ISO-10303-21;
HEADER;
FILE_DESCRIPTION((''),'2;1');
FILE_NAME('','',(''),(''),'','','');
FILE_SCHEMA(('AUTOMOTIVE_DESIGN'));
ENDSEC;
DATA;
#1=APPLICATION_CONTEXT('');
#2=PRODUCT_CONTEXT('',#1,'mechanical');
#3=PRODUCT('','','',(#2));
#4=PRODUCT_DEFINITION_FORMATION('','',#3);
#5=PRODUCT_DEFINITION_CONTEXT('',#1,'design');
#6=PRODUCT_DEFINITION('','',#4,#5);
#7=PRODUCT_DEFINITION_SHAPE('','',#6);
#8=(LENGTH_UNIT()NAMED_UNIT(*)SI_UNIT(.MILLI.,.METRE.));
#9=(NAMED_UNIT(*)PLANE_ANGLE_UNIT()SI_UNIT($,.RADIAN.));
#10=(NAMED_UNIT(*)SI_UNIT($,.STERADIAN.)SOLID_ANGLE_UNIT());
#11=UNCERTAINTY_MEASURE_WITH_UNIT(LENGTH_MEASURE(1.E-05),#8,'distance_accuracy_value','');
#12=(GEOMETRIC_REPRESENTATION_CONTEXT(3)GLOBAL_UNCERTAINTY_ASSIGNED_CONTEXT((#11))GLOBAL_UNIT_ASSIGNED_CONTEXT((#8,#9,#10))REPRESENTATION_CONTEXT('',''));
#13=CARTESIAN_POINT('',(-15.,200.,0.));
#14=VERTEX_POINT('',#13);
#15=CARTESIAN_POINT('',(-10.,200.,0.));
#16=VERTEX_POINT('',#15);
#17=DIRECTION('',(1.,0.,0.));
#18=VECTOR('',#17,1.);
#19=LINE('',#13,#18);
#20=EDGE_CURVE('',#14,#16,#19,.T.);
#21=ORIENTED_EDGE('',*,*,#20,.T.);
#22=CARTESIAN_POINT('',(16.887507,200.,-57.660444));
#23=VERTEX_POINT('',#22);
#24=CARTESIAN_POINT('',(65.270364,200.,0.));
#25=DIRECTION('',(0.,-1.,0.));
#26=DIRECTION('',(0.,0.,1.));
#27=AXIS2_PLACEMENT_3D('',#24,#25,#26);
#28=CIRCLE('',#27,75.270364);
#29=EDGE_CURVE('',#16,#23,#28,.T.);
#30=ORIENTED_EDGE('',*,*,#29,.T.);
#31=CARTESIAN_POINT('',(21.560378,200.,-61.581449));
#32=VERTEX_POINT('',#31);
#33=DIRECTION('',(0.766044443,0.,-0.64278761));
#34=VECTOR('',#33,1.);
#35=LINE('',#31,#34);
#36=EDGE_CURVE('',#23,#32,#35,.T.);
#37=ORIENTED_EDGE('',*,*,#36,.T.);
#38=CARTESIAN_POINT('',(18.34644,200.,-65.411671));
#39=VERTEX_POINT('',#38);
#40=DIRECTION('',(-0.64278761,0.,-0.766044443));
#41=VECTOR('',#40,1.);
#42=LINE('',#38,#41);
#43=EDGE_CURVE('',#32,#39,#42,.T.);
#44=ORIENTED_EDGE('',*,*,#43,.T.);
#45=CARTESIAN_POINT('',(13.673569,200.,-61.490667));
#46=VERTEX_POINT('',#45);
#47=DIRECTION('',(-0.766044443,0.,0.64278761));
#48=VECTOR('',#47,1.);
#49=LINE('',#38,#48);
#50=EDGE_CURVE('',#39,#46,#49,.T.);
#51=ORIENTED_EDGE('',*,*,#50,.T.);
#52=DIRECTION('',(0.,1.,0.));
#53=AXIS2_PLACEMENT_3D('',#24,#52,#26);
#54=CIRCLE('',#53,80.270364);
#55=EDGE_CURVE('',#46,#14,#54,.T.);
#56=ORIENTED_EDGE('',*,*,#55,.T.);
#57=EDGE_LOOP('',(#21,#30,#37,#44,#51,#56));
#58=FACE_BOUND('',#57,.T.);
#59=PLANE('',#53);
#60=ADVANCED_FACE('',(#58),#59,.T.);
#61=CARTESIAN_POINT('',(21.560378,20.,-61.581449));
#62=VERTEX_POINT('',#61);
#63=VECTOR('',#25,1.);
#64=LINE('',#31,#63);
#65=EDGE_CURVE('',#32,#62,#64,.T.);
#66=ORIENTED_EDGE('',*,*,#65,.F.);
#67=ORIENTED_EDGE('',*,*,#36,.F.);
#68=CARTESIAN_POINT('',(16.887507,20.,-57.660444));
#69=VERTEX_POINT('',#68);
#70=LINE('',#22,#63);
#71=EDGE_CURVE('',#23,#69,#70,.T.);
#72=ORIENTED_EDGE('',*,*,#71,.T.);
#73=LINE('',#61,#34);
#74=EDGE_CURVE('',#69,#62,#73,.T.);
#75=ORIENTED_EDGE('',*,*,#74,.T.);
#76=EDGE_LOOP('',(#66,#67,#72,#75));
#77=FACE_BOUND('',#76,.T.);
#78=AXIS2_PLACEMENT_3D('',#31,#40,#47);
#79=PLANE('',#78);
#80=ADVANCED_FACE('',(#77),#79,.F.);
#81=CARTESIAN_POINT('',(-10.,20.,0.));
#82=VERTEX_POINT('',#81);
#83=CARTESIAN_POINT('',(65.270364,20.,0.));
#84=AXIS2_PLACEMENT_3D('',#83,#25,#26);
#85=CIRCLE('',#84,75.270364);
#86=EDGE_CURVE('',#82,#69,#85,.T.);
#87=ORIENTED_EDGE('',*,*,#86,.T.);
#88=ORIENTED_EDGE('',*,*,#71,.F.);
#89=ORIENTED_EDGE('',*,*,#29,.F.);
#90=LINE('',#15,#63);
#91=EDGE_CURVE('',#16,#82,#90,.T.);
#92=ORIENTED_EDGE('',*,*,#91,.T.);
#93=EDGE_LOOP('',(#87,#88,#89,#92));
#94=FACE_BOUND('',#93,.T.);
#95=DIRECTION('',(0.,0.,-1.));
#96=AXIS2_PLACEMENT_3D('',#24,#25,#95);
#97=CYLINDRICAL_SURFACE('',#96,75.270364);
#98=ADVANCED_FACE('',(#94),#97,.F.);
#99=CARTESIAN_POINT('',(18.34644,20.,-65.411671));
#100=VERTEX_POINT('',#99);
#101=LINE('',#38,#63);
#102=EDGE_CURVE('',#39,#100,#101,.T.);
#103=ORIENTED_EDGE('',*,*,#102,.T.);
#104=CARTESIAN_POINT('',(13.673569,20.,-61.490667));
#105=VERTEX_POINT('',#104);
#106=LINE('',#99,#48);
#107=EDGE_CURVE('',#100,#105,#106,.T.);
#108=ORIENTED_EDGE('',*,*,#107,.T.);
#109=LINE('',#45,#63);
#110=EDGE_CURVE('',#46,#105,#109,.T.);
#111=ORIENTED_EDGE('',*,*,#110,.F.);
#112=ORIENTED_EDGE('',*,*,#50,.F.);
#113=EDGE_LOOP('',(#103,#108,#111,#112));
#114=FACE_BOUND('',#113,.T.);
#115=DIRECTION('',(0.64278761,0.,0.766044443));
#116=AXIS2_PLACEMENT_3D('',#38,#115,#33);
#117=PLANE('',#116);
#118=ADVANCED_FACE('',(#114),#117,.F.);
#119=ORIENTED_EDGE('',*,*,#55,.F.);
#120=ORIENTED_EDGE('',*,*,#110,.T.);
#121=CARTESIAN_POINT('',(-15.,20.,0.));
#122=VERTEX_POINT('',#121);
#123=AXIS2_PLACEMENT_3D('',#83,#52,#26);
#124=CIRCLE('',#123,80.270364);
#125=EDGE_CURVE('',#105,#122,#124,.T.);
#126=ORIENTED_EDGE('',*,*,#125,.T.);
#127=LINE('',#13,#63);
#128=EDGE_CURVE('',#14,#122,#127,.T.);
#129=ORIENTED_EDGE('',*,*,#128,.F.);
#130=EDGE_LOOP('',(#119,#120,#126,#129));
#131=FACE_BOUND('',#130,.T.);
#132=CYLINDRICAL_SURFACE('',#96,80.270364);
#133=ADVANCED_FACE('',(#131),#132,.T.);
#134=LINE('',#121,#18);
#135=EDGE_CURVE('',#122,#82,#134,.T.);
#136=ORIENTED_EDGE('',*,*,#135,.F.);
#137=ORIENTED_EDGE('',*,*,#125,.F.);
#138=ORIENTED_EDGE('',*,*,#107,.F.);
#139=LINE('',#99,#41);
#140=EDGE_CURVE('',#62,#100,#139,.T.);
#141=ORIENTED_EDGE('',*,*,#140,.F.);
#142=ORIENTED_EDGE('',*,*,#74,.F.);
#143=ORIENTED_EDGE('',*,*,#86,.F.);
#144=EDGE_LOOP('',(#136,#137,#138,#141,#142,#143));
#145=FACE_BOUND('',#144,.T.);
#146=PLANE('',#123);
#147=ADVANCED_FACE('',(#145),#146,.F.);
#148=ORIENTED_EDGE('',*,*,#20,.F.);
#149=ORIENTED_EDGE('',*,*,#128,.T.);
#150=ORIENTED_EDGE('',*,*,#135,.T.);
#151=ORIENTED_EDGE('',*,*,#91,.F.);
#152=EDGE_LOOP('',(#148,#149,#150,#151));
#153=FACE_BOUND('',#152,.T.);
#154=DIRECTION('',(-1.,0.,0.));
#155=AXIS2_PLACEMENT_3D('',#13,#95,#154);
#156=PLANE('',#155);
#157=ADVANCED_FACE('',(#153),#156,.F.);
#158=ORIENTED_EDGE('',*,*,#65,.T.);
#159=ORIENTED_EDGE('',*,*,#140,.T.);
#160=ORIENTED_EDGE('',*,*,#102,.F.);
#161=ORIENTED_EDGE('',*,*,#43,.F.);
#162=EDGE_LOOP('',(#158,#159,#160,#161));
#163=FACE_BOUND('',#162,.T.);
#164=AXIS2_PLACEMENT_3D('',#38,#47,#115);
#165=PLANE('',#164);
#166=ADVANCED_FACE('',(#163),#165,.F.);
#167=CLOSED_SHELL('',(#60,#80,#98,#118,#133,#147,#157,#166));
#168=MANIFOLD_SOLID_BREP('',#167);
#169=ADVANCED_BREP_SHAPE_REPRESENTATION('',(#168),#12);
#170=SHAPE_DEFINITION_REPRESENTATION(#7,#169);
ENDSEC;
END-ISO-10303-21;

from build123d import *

# Parameters (mm, degrees)
SKETCH1_R           = 2.6
BOSS_EXTRUDE1_DEPTH = 20
BOSS_EXTRUDE2_DEPTH = 20
BOSS_EXTRUDE3_DEPTH = 180
CUT_EXTRUDE1_DEPTH  = 195.584574731


with BuildPart() as part:
    # Sketch1 → Boss-Extrude1 (new body)
    with BuildSketch(Plane(origin=(0, 0, 0), x_dir=(1, 0, 0), z_dir=(0, 1, 0))):
        with BuildLine():
            Line((10, 0), (-10, 0))
            ThreePointArc((-10, 0), (-2.947752983, 31.810630591), (16.887506811, 57.660444431))
            Line((16.887506811, 57.660444431), (29.743259005, 42.339555569))
            ThreePointArc((29.743259005, 42.339555569), (15.178402758, 23.358265357), (10, 0))
        make_face()
        with Locations(Location((0.770593323, 10, 0), (0, 0, 270))):
            Circle(SKETCH1_R, mode=Mode.SUBTRACT)
        with Locations(Location((6.115324888, 27.584447974, 0), (0, 0, 270))):
            Circle(SKETCH1_R, mode=Mode.SUBTRACT)
        with Locations(Location((16.150266317, 42.98181517, 0), (0, 0, 270))):
            Circle(SKETCH1_R, mode=Mode.SUBTRACT)
    extrude(amount=BOSS_EXTRUDE1_DEPTH)

    # Sketch2 → Boss-Extrude2 (add)
    with BuildSketch(Plane(origin=(0, 20, 0), x_dir=(1, 0, 0), z_dir=(0, 1, 0))):
        Polygon((16.887506811, 57.660444431), (29.743259005, 42.339555569), (34.416130108, 46.260559988), (21.560377914, 61.58144885), align=None)
    extrude(amount=-BOSS_EXTRUDE2_DEPTH)

    # Sketch4 → Cut-Extrude1 (cut, through all)
    with BuildSketch(Plane(origin=(0, 20, 0), x_dir=(1, 0, 0), z_dir=(0, 1, 0))):
        with BuildLine():
            Line((29.743259005, 42.339555569), (34.416130108, 46.260559988))
            Line((34.416130108, 46.260559988), (21.560377914, 61.58144885))
            Line((21.560377914, 61.58144885), (16.887506811, 57.660444431))
            ThreePointArc((16.887506811, 57.660444431), (-2.947752983, 31.810630591), (-10, 0))
            Line((-10, 0), (10, 0))
            ThreePointArc((10, 0), (15.178402758, 23.358265357), (29.743259005, 42.339555569))
        make_face()
    extrude(amount=-CUT_EXTRUDE1_DEPTH, mode=Mode.SUBTRACT)


with BuildPart() as body_2:
    # Sketch3 → Boss-Extrude3 (new body)
    with BuildSketch(Plane(origin=(0, 20, 0), x_dir=(1, 0, 0), z_dir=(0, 1, 0))):
        with BuildLine():
            Line((18.346439865, 65.411671066), (13.673568762, 61.490666647))
            ThreePointArc((13.673568762, 61.490666647), (-7.479291918, 33.9237219), (-15, 0))
            Line((-15, 0), (-10, 0))
            ThreePointArc((-10, 0), (-2.947752983, 31.810630591), (16.887506811, 57.660444431))
            Line((16.887506811, 57.660444431), (21.560377914, 61.58144885))
            Line((21.560377914, 61.58144885), (18.346439865, 65.411671066))
        make_face()
    extrude(amount=BOSS_EXTRUDE3_DEPTH)


solid = body_2.part
